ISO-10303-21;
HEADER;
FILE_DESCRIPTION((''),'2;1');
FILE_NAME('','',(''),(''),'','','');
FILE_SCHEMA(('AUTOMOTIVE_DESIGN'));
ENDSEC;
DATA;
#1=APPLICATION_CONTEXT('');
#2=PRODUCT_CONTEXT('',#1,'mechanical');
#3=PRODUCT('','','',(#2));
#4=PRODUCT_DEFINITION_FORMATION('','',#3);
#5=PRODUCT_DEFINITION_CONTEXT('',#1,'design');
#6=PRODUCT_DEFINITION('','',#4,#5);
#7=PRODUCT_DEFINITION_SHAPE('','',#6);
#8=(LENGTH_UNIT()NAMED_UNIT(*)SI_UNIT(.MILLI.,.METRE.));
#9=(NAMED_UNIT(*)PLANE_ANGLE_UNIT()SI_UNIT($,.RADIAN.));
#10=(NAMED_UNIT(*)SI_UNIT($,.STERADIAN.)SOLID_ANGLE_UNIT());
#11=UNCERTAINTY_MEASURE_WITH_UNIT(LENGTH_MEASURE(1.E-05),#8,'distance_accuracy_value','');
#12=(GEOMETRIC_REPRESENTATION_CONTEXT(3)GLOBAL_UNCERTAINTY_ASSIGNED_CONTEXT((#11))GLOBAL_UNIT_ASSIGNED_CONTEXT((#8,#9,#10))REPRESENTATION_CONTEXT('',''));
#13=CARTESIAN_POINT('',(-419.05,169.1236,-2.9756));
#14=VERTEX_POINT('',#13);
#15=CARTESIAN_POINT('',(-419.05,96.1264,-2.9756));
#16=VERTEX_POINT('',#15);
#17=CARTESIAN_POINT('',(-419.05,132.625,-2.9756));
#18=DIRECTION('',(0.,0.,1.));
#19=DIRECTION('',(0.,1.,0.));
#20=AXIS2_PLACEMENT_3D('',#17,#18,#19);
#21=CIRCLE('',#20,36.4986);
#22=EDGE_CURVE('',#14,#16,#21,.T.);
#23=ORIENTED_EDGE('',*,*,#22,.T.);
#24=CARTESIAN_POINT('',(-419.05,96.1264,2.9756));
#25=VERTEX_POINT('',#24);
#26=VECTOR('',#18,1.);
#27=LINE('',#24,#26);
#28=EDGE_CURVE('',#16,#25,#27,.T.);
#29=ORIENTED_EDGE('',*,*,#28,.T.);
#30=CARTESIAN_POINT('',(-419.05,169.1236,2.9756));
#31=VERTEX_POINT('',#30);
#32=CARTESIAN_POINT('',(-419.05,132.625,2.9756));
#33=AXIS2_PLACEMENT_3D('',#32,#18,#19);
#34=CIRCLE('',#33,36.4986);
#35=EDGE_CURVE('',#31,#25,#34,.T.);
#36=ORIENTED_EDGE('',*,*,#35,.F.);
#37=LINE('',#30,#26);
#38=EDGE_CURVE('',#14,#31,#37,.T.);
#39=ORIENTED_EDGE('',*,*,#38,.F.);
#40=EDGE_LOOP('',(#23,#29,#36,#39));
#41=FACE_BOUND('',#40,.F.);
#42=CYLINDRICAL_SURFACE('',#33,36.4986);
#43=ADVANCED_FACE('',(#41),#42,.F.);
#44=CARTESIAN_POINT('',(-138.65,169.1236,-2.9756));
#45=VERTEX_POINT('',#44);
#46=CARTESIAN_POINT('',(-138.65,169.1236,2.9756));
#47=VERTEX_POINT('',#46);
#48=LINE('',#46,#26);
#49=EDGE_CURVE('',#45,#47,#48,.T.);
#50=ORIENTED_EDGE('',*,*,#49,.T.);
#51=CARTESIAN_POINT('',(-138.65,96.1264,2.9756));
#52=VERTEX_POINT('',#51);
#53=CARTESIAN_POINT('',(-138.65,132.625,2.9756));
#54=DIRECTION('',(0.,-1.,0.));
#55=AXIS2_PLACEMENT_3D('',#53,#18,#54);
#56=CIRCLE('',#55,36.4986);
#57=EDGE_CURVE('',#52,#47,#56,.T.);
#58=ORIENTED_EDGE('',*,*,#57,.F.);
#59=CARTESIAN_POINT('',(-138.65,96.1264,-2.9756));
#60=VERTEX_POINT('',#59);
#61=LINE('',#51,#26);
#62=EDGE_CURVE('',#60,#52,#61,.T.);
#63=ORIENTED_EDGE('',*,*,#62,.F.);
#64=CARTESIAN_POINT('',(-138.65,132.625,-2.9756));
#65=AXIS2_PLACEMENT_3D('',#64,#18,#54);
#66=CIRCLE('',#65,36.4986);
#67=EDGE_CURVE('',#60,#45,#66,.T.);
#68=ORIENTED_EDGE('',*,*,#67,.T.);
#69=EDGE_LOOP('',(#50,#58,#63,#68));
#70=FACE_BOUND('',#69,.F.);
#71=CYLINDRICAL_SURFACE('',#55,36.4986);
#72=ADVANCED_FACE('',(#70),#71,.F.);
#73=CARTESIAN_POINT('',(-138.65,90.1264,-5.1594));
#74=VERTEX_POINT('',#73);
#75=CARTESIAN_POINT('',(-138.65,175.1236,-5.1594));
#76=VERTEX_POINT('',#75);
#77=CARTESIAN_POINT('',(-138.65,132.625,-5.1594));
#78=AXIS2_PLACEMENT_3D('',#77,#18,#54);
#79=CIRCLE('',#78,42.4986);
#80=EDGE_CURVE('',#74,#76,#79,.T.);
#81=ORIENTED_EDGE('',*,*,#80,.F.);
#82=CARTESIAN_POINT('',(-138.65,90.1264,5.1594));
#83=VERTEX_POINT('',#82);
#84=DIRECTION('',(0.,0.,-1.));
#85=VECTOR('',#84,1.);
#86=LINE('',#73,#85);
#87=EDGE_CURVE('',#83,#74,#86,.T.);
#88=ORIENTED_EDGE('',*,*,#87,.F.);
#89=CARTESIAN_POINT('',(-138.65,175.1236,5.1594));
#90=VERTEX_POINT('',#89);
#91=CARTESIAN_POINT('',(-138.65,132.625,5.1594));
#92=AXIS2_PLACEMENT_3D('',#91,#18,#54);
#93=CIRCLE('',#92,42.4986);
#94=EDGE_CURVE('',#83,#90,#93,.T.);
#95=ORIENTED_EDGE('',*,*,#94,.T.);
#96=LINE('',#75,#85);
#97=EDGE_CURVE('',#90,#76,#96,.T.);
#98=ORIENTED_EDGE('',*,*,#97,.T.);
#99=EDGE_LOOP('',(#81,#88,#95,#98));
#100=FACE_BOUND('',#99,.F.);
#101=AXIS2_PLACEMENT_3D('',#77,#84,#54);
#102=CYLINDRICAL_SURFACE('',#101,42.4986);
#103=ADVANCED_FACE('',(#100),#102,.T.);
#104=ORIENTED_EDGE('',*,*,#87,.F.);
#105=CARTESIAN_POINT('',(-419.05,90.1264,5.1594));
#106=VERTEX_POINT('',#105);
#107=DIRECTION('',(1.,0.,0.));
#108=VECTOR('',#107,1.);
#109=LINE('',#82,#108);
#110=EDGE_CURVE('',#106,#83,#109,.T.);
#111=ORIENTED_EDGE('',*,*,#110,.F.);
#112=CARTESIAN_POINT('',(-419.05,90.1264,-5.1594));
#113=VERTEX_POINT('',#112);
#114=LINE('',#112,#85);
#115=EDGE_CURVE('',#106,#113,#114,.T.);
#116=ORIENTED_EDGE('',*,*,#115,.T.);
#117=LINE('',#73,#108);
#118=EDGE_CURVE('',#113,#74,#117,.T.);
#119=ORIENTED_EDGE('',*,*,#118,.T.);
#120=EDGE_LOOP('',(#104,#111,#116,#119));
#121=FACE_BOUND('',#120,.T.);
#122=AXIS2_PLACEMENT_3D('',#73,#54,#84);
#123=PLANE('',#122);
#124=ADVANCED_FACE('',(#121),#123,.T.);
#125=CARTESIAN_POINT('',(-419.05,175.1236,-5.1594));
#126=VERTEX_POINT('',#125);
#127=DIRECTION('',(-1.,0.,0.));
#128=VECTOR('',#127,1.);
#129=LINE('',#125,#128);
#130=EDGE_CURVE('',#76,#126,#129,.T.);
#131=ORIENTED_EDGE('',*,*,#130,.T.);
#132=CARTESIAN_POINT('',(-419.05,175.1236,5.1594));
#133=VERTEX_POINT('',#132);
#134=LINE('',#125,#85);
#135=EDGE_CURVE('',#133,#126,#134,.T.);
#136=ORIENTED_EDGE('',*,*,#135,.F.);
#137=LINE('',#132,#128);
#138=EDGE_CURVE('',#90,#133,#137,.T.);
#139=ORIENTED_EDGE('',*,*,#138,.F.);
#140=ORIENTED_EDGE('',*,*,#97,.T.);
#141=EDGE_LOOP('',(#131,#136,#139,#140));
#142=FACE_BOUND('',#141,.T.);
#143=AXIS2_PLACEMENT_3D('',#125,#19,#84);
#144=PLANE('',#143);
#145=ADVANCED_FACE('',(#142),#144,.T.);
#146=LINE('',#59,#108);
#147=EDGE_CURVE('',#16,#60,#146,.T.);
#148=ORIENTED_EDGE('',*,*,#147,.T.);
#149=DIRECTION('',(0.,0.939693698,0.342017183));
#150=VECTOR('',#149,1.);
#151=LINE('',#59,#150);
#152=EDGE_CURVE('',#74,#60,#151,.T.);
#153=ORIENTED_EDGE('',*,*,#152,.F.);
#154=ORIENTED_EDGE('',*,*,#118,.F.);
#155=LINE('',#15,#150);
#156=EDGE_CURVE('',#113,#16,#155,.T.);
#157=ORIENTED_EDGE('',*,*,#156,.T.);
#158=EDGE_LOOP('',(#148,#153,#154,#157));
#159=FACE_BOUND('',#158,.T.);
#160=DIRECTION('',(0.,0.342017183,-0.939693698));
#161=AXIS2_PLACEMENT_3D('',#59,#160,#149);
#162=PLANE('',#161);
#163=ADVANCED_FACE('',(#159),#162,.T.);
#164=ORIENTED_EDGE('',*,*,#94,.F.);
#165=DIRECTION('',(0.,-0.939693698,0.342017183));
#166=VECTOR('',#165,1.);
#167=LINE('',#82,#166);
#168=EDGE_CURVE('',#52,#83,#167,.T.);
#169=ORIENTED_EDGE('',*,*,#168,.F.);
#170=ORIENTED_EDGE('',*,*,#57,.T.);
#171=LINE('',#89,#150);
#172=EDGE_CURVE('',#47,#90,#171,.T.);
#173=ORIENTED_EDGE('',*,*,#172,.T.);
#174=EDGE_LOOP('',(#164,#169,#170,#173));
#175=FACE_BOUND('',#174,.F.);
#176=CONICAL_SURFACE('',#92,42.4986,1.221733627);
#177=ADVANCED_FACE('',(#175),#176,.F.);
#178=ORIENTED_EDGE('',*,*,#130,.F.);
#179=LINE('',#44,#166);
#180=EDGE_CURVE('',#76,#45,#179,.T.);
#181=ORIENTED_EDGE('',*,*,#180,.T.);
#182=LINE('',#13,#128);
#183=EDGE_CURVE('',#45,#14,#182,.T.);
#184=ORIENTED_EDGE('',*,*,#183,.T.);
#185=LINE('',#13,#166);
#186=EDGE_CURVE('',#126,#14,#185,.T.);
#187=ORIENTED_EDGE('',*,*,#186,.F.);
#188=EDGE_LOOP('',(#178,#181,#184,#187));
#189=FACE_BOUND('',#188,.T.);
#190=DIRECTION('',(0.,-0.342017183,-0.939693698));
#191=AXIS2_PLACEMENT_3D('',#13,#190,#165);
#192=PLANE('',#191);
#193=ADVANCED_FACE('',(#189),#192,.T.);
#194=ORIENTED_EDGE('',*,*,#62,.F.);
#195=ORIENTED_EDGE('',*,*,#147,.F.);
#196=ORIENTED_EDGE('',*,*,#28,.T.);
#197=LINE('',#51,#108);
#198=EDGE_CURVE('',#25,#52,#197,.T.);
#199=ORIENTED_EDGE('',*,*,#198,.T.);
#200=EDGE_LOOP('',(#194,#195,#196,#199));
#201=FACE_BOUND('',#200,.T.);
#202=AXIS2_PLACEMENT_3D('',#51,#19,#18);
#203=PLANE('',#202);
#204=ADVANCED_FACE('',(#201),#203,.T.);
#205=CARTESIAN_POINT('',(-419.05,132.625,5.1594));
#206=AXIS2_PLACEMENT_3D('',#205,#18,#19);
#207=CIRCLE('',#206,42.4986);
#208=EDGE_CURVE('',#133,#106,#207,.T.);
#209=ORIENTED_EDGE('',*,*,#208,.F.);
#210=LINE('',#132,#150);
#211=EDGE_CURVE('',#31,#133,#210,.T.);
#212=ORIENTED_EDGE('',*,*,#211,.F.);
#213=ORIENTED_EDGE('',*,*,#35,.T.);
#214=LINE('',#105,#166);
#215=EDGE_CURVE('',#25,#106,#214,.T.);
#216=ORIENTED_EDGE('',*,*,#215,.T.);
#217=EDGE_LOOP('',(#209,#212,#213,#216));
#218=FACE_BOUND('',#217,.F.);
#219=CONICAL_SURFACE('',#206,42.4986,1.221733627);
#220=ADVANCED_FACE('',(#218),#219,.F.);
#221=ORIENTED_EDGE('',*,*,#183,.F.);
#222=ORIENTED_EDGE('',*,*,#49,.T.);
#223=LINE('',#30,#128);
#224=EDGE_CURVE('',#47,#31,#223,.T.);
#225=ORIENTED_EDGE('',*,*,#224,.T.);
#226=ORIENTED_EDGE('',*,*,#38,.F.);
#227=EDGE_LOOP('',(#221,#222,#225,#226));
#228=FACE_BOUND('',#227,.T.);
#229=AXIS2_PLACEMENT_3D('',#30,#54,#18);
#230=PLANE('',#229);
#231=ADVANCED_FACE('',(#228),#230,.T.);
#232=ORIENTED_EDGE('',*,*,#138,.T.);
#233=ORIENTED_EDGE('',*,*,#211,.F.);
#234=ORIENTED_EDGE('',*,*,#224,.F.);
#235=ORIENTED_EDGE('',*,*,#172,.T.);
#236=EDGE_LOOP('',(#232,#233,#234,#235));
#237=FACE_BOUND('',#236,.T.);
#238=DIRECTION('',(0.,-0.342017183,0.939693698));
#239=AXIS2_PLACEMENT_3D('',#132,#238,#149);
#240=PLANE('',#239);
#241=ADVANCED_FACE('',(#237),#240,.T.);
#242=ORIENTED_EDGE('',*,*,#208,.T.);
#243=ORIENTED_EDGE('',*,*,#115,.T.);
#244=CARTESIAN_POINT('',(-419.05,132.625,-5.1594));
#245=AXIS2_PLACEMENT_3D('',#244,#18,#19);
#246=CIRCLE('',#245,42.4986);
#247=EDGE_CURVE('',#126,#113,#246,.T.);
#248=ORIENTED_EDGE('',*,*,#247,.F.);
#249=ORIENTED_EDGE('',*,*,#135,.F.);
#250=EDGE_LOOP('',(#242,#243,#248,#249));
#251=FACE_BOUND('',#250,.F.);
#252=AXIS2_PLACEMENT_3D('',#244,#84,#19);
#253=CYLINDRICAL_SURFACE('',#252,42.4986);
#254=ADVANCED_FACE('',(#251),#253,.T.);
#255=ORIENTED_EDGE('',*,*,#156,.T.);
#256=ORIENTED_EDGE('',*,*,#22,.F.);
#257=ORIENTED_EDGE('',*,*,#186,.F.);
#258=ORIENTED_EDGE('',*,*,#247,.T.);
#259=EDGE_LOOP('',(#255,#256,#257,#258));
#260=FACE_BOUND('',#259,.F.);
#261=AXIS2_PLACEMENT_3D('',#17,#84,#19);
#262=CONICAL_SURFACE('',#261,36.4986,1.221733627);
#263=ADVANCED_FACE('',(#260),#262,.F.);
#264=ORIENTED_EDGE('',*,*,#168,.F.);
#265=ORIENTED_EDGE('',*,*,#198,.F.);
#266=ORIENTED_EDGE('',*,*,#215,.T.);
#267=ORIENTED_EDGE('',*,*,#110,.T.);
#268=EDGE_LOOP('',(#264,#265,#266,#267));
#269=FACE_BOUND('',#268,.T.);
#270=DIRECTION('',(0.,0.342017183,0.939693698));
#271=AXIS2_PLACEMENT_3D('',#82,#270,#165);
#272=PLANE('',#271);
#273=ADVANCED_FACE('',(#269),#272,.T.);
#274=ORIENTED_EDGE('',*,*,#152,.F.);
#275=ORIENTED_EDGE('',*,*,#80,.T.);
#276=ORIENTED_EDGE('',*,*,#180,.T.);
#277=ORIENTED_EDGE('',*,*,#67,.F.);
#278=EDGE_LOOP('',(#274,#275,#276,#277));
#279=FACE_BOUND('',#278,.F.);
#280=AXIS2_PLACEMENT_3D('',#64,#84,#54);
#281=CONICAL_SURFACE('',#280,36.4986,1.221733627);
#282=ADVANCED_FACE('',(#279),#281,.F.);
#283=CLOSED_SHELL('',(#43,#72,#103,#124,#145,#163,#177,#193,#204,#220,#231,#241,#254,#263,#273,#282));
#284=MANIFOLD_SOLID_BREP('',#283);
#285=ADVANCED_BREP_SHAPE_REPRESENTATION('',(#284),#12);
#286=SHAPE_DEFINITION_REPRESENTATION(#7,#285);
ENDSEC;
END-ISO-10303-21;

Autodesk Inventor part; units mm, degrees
ref_plane "YZ Plane" through (0, 0, 0) normal (1, 0, 0) x (0, 1, 0)
ref_plane "XZ Plane" through (0, 0, 0) normal (0, 1, 0) x (-1, 0, 0)
sketch "Sketch Path" plane through (0, 0, 0) normal (0, 0, 1) x (1, 0, 0)
  arc A0 (-419.05, 172.625) -> (-419.05, 92.625) centre (-419.05, 132.625) ccw
  arc A1 (-138.65, 92.625) -> (-138.65, 172.625) centre (-138.65, 132.625) ccw
  line L0 (-138.65, 92.625) -> (-419.05, 92.625)
  line L1 (-419.05, 172.625) -> (-138.65, 172.625)
ref_plane "Cross Section Plane" through (-419.05, 92.625, 0) normal (1, 0, 0) x (0, 0, 1)
sketch "Cross Section" plane through (-419.05, 92.625, 0) normal (1, 0, 0) x (0, 0, 1)
  line L0 (0, 2.4986) -> (0, -3.5014) construction
  line L1 (-4.25, 0) -> (4.25, 0) construction
  line L2 (-5.1594, 2.4986) -> (5.1594, 2.4986)
  line L3 (5.1594, 2.4986) -> (2.9756, -3.5014)
  line L4 (2.9756, -3.5014) -> (-2.9756, -3.5014)
  line L5 (-2.9756, -3.5014) -> (-5.1594, 2.4986)
  point P0 (0, 0)
  point P1 (0, 0)
  point P2 (0, 0)
  dimension "d0" = 8.5
  dimension "d1" = 2.4986
  dimension "d2" = 40
  dimension "d3" = 6
sweep "Belt" add profiles "Cross Section" path "Sketch Path"
equation "\"d0\" = da_Bw"
equation "\"d1\" = da_Hw"
equation "\"d2\" = da_Alfa"
equation "\"d3\" = da_H"
equation "\"da_Alfa\" = 40deg"
equation "\"da_H\" = 6"
equation "\"da_Bw\" = 8.5"
equation "\"da_Hw\" = 2.49859"
properties part number "V-Belt" material "Rubber"
